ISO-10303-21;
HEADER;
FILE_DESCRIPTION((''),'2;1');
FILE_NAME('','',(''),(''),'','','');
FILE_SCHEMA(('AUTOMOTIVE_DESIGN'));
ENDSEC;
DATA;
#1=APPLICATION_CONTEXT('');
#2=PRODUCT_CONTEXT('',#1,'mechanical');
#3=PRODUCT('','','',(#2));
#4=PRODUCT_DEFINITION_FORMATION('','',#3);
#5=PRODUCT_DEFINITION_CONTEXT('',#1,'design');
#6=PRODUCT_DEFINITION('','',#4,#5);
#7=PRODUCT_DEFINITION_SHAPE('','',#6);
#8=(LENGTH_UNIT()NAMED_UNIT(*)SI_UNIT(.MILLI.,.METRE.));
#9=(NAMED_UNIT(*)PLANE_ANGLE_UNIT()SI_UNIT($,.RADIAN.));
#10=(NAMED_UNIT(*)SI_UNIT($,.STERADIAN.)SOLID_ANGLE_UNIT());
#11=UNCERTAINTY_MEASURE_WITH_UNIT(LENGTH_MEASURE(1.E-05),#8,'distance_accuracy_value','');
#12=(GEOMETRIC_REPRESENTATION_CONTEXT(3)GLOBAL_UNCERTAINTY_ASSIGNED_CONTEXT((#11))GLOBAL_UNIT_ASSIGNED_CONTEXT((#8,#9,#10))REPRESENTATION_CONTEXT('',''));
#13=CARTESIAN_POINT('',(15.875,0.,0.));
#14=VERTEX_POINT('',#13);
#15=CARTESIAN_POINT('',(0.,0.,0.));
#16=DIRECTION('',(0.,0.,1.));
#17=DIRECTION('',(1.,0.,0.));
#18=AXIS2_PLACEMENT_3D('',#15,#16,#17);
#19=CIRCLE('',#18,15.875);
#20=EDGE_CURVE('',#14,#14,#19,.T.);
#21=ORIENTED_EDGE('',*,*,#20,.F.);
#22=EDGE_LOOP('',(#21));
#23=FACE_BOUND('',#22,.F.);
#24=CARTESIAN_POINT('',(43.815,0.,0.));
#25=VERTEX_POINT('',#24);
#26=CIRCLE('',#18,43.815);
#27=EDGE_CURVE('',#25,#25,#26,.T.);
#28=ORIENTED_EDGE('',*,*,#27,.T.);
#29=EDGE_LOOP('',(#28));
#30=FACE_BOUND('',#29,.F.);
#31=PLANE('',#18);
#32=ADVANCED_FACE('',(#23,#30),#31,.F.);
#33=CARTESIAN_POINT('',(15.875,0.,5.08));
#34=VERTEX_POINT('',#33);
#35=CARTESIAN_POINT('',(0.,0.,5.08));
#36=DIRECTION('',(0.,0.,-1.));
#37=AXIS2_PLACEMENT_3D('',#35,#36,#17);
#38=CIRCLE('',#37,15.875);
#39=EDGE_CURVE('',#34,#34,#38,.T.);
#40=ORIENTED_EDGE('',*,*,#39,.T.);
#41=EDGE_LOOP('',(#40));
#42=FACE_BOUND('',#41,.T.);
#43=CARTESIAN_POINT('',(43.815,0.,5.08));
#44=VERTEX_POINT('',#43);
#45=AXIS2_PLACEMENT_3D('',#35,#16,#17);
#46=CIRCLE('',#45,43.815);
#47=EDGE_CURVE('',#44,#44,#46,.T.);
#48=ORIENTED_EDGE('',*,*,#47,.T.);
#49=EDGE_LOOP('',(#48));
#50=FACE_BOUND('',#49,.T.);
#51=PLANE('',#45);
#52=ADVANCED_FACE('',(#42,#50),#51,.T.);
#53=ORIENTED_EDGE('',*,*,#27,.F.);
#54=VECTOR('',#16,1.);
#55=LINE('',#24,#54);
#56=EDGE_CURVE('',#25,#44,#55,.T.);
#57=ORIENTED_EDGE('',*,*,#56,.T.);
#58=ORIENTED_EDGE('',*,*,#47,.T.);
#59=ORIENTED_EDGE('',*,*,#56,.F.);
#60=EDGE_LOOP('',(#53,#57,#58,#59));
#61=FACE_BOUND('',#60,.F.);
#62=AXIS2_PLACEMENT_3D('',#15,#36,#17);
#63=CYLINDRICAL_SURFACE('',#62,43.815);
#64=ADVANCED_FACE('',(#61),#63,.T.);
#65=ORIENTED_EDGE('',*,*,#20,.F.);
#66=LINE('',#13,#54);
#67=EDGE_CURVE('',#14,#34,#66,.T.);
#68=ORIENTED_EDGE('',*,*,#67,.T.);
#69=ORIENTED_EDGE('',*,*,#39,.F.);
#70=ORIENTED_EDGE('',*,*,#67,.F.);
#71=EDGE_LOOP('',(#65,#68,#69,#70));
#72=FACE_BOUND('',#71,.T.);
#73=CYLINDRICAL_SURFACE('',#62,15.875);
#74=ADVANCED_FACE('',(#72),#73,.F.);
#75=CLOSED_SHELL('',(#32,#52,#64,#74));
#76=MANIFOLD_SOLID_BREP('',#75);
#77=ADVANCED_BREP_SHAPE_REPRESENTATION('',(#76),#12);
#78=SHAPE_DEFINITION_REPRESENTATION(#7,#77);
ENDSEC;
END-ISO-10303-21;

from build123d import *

# Parameters (mm, degrees)
F0_R     = 43.815
F1_DEPTH = 5.08
F2_R     = 15.875
F3_DEPTH = 5.081


with BuildPart() as f1:
    # F0 (on Top) → F1 (new body)
    with BuildSketch(Plane.XY):
        Circle(F0_R)
    extrude(amount=F1_DEPTH)

    # F2 (on Top) → F3 (cut, through all)
    with BuildSketch(Plane.XY):
        Circle(F2_R)
    extrude(amount=F3_DEPTH, mode=Mode.SUBTRACT)


solid = f1.part
